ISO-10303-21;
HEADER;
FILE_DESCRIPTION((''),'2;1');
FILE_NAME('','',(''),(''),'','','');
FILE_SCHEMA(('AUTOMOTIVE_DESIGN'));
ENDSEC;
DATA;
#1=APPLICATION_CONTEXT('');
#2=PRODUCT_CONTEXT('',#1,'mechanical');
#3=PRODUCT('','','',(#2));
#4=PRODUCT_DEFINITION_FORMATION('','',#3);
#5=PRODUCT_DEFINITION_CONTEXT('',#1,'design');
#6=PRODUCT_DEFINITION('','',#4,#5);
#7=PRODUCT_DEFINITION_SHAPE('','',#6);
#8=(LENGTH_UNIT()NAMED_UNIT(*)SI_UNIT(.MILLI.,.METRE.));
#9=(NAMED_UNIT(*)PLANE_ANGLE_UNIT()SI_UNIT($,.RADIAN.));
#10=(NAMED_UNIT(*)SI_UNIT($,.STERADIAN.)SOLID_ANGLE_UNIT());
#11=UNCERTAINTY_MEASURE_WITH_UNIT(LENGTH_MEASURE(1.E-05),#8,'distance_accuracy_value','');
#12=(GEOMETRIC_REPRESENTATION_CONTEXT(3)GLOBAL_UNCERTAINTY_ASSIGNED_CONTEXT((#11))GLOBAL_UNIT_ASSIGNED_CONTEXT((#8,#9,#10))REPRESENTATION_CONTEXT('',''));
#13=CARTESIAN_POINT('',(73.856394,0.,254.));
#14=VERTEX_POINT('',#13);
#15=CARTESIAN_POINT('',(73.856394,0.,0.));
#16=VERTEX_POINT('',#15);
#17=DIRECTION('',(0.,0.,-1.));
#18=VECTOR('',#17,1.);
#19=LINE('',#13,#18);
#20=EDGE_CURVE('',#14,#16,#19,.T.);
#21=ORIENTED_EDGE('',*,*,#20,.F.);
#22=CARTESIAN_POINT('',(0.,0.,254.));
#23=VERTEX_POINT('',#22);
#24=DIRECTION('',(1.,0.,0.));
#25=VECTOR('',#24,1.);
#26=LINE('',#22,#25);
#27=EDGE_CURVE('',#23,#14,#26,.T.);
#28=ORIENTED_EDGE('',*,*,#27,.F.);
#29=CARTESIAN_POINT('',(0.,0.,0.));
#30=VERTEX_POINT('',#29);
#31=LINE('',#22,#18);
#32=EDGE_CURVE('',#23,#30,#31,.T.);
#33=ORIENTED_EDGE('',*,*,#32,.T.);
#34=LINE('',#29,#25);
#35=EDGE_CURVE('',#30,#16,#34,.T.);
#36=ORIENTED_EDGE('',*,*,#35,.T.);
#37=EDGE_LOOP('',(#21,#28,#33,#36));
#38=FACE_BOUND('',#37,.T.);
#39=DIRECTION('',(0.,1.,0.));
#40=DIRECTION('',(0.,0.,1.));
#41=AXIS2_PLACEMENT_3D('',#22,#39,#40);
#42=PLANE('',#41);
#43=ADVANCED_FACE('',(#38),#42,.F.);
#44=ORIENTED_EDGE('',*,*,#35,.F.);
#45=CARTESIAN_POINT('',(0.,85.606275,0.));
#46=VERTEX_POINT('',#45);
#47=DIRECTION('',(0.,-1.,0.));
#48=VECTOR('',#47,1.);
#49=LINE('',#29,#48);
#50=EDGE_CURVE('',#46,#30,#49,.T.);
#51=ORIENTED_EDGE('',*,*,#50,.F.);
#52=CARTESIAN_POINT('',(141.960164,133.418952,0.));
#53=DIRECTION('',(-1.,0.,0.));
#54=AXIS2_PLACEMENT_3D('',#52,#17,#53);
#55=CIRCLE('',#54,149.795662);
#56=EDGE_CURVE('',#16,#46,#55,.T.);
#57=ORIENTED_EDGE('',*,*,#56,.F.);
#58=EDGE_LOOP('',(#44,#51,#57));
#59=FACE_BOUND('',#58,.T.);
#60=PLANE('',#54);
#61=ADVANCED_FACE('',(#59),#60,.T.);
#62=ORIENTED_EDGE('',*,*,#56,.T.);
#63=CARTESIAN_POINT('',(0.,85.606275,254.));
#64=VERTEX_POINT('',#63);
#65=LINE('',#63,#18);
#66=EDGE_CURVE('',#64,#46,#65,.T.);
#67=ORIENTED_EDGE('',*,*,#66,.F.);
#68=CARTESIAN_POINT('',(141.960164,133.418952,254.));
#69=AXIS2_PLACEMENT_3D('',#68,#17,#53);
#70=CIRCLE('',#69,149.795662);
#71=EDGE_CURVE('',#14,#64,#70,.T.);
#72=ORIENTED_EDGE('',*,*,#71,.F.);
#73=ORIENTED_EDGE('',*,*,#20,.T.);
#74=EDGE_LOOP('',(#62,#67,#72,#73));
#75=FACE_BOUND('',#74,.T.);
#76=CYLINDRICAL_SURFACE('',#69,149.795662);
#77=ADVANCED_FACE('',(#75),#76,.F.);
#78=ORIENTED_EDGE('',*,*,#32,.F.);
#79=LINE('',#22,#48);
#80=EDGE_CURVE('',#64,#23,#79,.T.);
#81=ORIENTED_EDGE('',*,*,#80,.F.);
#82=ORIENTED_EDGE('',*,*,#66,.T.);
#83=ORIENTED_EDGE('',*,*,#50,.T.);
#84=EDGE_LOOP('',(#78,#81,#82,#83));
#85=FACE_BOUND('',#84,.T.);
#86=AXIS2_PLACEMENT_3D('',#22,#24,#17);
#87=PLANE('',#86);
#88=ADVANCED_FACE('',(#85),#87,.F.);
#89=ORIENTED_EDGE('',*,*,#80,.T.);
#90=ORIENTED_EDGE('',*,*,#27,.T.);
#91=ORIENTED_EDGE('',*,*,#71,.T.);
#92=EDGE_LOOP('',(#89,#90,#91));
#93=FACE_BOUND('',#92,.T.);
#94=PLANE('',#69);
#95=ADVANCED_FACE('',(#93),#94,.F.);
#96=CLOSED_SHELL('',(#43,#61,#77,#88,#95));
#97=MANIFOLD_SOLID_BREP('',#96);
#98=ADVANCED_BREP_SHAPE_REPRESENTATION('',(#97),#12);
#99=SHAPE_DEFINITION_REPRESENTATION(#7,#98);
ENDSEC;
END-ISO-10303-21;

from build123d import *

# Parameters (mm, degrees)
BOSS_EXTRUDE1_DEPTH = 254


with BuildPart() as part:
    # Sketch1 → Boss-Extrude1 (new body)
    with BuildSketch(Plane.XY):
        with BuildLine():
            Line((0, 0), (0, 85.606275272))
            ThreePointArc((0, 85.606275272), (28.541370829, 35.567444317), (73.856394352, 0))
            Line((73.856394352, 0), (0, 0))
        make_face()
    extrude(amount=BOSS_EXTRUDE1_DEPTH)


solid = part.part
